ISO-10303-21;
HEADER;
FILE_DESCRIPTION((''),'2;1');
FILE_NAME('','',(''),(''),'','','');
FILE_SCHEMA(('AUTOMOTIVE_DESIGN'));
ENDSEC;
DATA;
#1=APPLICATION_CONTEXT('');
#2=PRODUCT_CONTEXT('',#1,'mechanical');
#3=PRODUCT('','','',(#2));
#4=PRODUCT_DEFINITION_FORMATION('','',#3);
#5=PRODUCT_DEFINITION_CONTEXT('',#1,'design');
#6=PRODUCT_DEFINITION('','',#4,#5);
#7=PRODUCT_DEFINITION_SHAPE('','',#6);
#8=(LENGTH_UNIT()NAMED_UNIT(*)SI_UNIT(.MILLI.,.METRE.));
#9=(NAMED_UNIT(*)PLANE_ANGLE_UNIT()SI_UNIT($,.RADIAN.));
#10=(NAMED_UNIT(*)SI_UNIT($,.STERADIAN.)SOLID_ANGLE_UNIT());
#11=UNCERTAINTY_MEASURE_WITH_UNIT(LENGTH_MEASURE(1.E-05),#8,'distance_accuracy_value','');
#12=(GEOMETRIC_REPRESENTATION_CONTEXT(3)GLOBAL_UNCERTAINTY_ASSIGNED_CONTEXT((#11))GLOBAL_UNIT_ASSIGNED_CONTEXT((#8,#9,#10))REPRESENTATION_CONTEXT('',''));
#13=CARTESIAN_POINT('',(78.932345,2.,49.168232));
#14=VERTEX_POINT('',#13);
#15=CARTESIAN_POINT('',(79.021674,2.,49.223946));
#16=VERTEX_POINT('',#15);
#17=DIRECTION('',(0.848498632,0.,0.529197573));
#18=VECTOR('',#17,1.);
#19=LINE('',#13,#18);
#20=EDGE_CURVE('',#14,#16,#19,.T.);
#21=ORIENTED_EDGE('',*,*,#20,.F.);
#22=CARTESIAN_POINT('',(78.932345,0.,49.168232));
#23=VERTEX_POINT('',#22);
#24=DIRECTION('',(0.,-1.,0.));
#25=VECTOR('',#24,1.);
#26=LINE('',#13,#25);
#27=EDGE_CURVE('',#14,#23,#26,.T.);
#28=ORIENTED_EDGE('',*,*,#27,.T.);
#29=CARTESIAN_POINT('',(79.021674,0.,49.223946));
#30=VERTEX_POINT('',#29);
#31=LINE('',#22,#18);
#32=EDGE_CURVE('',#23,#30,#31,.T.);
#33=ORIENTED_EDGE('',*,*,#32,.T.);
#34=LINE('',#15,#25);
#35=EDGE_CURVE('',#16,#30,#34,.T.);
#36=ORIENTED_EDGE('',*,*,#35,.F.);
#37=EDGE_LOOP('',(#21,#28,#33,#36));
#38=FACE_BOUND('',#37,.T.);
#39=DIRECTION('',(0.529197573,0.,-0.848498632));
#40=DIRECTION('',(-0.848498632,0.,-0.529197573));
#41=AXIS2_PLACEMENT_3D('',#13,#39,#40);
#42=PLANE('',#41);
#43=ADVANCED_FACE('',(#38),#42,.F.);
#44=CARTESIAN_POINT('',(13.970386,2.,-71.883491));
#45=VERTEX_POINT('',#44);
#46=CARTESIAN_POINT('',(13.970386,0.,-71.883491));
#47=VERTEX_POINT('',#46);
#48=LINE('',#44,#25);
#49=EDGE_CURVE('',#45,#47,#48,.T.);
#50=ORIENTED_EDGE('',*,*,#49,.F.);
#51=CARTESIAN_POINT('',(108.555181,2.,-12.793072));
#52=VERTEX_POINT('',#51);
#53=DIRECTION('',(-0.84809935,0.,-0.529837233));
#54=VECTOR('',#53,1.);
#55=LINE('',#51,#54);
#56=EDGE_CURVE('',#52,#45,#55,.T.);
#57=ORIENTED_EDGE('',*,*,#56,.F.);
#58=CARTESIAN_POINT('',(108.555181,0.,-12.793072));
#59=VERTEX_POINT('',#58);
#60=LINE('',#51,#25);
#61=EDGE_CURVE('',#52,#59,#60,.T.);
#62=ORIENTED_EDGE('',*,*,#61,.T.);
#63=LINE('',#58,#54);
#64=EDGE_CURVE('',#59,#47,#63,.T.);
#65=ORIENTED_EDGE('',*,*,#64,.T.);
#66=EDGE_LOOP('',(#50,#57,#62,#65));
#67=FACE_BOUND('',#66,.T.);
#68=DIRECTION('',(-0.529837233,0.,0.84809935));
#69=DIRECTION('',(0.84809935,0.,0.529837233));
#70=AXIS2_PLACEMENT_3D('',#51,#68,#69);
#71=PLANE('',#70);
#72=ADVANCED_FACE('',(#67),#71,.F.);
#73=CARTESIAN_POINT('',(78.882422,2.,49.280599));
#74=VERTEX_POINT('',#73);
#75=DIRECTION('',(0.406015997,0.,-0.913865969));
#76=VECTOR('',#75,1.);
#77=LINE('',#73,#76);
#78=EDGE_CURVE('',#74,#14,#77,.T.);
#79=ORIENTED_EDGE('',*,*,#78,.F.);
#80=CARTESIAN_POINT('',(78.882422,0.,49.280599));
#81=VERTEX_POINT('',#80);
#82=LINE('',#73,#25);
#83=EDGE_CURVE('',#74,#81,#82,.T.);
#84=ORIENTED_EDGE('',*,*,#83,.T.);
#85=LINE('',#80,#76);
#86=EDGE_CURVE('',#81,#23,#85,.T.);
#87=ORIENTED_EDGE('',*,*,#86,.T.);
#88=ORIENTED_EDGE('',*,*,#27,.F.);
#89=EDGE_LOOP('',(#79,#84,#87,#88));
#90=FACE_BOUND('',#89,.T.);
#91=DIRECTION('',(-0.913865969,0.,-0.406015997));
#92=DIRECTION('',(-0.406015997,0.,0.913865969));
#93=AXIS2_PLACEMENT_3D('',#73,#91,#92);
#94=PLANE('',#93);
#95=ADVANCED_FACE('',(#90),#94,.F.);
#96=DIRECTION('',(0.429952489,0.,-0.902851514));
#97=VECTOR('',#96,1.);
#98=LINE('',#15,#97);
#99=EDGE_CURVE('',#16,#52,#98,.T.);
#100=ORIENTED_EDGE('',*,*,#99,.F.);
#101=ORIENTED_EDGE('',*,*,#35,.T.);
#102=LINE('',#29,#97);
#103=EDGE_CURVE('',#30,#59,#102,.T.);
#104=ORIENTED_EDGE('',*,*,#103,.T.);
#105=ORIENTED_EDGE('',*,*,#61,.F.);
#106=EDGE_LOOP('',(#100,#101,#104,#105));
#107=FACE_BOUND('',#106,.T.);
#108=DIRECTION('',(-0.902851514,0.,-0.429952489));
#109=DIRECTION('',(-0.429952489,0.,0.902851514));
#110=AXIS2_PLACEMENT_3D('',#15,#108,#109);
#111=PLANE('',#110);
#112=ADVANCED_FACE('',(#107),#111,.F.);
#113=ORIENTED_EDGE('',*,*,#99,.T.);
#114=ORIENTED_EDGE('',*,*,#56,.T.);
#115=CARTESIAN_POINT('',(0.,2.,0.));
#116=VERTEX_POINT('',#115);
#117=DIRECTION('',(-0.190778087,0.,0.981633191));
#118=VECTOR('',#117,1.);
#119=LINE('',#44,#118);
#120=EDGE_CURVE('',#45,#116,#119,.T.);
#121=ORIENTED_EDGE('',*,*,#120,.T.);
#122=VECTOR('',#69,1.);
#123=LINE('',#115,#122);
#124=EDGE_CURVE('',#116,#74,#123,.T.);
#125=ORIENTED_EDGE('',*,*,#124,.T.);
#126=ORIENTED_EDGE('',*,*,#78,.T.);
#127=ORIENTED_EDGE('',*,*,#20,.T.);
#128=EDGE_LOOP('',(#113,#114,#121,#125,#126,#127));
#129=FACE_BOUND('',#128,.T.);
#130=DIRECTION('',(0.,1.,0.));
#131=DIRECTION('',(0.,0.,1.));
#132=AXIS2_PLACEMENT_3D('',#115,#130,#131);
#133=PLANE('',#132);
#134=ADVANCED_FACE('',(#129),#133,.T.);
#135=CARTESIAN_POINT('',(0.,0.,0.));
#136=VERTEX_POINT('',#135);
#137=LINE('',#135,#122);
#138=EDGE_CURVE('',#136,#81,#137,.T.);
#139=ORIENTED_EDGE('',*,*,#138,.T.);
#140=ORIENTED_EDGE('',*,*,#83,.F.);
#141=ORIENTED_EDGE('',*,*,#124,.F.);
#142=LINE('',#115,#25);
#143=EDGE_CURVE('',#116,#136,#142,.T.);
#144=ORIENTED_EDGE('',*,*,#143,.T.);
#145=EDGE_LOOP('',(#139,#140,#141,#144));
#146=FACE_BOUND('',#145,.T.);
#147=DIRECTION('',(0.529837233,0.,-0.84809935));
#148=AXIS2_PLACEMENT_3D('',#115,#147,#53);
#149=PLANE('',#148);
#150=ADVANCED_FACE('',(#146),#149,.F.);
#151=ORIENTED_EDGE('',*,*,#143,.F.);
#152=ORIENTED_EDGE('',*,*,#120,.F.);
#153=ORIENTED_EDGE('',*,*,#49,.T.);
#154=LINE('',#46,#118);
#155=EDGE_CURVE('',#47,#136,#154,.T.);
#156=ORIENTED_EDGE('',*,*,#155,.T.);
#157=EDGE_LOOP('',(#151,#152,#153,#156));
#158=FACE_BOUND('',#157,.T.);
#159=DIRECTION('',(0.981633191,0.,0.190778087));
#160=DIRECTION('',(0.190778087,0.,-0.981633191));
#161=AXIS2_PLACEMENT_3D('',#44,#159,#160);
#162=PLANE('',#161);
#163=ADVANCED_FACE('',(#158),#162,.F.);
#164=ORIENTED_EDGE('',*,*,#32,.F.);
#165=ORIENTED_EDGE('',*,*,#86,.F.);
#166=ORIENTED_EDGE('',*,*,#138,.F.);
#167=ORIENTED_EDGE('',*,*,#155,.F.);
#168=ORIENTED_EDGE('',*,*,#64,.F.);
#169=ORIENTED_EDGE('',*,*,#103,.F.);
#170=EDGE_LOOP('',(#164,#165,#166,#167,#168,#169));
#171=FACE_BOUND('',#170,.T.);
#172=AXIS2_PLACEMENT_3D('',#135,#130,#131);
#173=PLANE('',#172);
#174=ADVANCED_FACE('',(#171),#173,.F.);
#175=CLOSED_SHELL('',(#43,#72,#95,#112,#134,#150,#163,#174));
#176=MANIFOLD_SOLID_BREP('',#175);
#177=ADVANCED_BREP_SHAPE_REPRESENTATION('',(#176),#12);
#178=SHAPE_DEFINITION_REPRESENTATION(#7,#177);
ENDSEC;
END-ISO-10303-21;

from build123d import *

# Parameters (mm, degrees)
BOSS_EXTRU_1_DEPTH = 2


with BuildPart() as part:
    # Esquisse1 → Boss.-Extru.1 (new body)
    with BuildSketch(Plane(origin=(0, 0, 0), x_dir=(1, 0, 0), z_dir=(0, 1, 0))):
        Polygon((78.882422148, -49.280599365), (78.932345002, -49.168232372), (79.021674184, -49.223945823), (108.555181003, 12.793072358), (13.970386351, 71.883491293), (0, 0), align=None)
    extrude(amount=BOSS_EXTRU_1_DEPTH)


solid = part.part
